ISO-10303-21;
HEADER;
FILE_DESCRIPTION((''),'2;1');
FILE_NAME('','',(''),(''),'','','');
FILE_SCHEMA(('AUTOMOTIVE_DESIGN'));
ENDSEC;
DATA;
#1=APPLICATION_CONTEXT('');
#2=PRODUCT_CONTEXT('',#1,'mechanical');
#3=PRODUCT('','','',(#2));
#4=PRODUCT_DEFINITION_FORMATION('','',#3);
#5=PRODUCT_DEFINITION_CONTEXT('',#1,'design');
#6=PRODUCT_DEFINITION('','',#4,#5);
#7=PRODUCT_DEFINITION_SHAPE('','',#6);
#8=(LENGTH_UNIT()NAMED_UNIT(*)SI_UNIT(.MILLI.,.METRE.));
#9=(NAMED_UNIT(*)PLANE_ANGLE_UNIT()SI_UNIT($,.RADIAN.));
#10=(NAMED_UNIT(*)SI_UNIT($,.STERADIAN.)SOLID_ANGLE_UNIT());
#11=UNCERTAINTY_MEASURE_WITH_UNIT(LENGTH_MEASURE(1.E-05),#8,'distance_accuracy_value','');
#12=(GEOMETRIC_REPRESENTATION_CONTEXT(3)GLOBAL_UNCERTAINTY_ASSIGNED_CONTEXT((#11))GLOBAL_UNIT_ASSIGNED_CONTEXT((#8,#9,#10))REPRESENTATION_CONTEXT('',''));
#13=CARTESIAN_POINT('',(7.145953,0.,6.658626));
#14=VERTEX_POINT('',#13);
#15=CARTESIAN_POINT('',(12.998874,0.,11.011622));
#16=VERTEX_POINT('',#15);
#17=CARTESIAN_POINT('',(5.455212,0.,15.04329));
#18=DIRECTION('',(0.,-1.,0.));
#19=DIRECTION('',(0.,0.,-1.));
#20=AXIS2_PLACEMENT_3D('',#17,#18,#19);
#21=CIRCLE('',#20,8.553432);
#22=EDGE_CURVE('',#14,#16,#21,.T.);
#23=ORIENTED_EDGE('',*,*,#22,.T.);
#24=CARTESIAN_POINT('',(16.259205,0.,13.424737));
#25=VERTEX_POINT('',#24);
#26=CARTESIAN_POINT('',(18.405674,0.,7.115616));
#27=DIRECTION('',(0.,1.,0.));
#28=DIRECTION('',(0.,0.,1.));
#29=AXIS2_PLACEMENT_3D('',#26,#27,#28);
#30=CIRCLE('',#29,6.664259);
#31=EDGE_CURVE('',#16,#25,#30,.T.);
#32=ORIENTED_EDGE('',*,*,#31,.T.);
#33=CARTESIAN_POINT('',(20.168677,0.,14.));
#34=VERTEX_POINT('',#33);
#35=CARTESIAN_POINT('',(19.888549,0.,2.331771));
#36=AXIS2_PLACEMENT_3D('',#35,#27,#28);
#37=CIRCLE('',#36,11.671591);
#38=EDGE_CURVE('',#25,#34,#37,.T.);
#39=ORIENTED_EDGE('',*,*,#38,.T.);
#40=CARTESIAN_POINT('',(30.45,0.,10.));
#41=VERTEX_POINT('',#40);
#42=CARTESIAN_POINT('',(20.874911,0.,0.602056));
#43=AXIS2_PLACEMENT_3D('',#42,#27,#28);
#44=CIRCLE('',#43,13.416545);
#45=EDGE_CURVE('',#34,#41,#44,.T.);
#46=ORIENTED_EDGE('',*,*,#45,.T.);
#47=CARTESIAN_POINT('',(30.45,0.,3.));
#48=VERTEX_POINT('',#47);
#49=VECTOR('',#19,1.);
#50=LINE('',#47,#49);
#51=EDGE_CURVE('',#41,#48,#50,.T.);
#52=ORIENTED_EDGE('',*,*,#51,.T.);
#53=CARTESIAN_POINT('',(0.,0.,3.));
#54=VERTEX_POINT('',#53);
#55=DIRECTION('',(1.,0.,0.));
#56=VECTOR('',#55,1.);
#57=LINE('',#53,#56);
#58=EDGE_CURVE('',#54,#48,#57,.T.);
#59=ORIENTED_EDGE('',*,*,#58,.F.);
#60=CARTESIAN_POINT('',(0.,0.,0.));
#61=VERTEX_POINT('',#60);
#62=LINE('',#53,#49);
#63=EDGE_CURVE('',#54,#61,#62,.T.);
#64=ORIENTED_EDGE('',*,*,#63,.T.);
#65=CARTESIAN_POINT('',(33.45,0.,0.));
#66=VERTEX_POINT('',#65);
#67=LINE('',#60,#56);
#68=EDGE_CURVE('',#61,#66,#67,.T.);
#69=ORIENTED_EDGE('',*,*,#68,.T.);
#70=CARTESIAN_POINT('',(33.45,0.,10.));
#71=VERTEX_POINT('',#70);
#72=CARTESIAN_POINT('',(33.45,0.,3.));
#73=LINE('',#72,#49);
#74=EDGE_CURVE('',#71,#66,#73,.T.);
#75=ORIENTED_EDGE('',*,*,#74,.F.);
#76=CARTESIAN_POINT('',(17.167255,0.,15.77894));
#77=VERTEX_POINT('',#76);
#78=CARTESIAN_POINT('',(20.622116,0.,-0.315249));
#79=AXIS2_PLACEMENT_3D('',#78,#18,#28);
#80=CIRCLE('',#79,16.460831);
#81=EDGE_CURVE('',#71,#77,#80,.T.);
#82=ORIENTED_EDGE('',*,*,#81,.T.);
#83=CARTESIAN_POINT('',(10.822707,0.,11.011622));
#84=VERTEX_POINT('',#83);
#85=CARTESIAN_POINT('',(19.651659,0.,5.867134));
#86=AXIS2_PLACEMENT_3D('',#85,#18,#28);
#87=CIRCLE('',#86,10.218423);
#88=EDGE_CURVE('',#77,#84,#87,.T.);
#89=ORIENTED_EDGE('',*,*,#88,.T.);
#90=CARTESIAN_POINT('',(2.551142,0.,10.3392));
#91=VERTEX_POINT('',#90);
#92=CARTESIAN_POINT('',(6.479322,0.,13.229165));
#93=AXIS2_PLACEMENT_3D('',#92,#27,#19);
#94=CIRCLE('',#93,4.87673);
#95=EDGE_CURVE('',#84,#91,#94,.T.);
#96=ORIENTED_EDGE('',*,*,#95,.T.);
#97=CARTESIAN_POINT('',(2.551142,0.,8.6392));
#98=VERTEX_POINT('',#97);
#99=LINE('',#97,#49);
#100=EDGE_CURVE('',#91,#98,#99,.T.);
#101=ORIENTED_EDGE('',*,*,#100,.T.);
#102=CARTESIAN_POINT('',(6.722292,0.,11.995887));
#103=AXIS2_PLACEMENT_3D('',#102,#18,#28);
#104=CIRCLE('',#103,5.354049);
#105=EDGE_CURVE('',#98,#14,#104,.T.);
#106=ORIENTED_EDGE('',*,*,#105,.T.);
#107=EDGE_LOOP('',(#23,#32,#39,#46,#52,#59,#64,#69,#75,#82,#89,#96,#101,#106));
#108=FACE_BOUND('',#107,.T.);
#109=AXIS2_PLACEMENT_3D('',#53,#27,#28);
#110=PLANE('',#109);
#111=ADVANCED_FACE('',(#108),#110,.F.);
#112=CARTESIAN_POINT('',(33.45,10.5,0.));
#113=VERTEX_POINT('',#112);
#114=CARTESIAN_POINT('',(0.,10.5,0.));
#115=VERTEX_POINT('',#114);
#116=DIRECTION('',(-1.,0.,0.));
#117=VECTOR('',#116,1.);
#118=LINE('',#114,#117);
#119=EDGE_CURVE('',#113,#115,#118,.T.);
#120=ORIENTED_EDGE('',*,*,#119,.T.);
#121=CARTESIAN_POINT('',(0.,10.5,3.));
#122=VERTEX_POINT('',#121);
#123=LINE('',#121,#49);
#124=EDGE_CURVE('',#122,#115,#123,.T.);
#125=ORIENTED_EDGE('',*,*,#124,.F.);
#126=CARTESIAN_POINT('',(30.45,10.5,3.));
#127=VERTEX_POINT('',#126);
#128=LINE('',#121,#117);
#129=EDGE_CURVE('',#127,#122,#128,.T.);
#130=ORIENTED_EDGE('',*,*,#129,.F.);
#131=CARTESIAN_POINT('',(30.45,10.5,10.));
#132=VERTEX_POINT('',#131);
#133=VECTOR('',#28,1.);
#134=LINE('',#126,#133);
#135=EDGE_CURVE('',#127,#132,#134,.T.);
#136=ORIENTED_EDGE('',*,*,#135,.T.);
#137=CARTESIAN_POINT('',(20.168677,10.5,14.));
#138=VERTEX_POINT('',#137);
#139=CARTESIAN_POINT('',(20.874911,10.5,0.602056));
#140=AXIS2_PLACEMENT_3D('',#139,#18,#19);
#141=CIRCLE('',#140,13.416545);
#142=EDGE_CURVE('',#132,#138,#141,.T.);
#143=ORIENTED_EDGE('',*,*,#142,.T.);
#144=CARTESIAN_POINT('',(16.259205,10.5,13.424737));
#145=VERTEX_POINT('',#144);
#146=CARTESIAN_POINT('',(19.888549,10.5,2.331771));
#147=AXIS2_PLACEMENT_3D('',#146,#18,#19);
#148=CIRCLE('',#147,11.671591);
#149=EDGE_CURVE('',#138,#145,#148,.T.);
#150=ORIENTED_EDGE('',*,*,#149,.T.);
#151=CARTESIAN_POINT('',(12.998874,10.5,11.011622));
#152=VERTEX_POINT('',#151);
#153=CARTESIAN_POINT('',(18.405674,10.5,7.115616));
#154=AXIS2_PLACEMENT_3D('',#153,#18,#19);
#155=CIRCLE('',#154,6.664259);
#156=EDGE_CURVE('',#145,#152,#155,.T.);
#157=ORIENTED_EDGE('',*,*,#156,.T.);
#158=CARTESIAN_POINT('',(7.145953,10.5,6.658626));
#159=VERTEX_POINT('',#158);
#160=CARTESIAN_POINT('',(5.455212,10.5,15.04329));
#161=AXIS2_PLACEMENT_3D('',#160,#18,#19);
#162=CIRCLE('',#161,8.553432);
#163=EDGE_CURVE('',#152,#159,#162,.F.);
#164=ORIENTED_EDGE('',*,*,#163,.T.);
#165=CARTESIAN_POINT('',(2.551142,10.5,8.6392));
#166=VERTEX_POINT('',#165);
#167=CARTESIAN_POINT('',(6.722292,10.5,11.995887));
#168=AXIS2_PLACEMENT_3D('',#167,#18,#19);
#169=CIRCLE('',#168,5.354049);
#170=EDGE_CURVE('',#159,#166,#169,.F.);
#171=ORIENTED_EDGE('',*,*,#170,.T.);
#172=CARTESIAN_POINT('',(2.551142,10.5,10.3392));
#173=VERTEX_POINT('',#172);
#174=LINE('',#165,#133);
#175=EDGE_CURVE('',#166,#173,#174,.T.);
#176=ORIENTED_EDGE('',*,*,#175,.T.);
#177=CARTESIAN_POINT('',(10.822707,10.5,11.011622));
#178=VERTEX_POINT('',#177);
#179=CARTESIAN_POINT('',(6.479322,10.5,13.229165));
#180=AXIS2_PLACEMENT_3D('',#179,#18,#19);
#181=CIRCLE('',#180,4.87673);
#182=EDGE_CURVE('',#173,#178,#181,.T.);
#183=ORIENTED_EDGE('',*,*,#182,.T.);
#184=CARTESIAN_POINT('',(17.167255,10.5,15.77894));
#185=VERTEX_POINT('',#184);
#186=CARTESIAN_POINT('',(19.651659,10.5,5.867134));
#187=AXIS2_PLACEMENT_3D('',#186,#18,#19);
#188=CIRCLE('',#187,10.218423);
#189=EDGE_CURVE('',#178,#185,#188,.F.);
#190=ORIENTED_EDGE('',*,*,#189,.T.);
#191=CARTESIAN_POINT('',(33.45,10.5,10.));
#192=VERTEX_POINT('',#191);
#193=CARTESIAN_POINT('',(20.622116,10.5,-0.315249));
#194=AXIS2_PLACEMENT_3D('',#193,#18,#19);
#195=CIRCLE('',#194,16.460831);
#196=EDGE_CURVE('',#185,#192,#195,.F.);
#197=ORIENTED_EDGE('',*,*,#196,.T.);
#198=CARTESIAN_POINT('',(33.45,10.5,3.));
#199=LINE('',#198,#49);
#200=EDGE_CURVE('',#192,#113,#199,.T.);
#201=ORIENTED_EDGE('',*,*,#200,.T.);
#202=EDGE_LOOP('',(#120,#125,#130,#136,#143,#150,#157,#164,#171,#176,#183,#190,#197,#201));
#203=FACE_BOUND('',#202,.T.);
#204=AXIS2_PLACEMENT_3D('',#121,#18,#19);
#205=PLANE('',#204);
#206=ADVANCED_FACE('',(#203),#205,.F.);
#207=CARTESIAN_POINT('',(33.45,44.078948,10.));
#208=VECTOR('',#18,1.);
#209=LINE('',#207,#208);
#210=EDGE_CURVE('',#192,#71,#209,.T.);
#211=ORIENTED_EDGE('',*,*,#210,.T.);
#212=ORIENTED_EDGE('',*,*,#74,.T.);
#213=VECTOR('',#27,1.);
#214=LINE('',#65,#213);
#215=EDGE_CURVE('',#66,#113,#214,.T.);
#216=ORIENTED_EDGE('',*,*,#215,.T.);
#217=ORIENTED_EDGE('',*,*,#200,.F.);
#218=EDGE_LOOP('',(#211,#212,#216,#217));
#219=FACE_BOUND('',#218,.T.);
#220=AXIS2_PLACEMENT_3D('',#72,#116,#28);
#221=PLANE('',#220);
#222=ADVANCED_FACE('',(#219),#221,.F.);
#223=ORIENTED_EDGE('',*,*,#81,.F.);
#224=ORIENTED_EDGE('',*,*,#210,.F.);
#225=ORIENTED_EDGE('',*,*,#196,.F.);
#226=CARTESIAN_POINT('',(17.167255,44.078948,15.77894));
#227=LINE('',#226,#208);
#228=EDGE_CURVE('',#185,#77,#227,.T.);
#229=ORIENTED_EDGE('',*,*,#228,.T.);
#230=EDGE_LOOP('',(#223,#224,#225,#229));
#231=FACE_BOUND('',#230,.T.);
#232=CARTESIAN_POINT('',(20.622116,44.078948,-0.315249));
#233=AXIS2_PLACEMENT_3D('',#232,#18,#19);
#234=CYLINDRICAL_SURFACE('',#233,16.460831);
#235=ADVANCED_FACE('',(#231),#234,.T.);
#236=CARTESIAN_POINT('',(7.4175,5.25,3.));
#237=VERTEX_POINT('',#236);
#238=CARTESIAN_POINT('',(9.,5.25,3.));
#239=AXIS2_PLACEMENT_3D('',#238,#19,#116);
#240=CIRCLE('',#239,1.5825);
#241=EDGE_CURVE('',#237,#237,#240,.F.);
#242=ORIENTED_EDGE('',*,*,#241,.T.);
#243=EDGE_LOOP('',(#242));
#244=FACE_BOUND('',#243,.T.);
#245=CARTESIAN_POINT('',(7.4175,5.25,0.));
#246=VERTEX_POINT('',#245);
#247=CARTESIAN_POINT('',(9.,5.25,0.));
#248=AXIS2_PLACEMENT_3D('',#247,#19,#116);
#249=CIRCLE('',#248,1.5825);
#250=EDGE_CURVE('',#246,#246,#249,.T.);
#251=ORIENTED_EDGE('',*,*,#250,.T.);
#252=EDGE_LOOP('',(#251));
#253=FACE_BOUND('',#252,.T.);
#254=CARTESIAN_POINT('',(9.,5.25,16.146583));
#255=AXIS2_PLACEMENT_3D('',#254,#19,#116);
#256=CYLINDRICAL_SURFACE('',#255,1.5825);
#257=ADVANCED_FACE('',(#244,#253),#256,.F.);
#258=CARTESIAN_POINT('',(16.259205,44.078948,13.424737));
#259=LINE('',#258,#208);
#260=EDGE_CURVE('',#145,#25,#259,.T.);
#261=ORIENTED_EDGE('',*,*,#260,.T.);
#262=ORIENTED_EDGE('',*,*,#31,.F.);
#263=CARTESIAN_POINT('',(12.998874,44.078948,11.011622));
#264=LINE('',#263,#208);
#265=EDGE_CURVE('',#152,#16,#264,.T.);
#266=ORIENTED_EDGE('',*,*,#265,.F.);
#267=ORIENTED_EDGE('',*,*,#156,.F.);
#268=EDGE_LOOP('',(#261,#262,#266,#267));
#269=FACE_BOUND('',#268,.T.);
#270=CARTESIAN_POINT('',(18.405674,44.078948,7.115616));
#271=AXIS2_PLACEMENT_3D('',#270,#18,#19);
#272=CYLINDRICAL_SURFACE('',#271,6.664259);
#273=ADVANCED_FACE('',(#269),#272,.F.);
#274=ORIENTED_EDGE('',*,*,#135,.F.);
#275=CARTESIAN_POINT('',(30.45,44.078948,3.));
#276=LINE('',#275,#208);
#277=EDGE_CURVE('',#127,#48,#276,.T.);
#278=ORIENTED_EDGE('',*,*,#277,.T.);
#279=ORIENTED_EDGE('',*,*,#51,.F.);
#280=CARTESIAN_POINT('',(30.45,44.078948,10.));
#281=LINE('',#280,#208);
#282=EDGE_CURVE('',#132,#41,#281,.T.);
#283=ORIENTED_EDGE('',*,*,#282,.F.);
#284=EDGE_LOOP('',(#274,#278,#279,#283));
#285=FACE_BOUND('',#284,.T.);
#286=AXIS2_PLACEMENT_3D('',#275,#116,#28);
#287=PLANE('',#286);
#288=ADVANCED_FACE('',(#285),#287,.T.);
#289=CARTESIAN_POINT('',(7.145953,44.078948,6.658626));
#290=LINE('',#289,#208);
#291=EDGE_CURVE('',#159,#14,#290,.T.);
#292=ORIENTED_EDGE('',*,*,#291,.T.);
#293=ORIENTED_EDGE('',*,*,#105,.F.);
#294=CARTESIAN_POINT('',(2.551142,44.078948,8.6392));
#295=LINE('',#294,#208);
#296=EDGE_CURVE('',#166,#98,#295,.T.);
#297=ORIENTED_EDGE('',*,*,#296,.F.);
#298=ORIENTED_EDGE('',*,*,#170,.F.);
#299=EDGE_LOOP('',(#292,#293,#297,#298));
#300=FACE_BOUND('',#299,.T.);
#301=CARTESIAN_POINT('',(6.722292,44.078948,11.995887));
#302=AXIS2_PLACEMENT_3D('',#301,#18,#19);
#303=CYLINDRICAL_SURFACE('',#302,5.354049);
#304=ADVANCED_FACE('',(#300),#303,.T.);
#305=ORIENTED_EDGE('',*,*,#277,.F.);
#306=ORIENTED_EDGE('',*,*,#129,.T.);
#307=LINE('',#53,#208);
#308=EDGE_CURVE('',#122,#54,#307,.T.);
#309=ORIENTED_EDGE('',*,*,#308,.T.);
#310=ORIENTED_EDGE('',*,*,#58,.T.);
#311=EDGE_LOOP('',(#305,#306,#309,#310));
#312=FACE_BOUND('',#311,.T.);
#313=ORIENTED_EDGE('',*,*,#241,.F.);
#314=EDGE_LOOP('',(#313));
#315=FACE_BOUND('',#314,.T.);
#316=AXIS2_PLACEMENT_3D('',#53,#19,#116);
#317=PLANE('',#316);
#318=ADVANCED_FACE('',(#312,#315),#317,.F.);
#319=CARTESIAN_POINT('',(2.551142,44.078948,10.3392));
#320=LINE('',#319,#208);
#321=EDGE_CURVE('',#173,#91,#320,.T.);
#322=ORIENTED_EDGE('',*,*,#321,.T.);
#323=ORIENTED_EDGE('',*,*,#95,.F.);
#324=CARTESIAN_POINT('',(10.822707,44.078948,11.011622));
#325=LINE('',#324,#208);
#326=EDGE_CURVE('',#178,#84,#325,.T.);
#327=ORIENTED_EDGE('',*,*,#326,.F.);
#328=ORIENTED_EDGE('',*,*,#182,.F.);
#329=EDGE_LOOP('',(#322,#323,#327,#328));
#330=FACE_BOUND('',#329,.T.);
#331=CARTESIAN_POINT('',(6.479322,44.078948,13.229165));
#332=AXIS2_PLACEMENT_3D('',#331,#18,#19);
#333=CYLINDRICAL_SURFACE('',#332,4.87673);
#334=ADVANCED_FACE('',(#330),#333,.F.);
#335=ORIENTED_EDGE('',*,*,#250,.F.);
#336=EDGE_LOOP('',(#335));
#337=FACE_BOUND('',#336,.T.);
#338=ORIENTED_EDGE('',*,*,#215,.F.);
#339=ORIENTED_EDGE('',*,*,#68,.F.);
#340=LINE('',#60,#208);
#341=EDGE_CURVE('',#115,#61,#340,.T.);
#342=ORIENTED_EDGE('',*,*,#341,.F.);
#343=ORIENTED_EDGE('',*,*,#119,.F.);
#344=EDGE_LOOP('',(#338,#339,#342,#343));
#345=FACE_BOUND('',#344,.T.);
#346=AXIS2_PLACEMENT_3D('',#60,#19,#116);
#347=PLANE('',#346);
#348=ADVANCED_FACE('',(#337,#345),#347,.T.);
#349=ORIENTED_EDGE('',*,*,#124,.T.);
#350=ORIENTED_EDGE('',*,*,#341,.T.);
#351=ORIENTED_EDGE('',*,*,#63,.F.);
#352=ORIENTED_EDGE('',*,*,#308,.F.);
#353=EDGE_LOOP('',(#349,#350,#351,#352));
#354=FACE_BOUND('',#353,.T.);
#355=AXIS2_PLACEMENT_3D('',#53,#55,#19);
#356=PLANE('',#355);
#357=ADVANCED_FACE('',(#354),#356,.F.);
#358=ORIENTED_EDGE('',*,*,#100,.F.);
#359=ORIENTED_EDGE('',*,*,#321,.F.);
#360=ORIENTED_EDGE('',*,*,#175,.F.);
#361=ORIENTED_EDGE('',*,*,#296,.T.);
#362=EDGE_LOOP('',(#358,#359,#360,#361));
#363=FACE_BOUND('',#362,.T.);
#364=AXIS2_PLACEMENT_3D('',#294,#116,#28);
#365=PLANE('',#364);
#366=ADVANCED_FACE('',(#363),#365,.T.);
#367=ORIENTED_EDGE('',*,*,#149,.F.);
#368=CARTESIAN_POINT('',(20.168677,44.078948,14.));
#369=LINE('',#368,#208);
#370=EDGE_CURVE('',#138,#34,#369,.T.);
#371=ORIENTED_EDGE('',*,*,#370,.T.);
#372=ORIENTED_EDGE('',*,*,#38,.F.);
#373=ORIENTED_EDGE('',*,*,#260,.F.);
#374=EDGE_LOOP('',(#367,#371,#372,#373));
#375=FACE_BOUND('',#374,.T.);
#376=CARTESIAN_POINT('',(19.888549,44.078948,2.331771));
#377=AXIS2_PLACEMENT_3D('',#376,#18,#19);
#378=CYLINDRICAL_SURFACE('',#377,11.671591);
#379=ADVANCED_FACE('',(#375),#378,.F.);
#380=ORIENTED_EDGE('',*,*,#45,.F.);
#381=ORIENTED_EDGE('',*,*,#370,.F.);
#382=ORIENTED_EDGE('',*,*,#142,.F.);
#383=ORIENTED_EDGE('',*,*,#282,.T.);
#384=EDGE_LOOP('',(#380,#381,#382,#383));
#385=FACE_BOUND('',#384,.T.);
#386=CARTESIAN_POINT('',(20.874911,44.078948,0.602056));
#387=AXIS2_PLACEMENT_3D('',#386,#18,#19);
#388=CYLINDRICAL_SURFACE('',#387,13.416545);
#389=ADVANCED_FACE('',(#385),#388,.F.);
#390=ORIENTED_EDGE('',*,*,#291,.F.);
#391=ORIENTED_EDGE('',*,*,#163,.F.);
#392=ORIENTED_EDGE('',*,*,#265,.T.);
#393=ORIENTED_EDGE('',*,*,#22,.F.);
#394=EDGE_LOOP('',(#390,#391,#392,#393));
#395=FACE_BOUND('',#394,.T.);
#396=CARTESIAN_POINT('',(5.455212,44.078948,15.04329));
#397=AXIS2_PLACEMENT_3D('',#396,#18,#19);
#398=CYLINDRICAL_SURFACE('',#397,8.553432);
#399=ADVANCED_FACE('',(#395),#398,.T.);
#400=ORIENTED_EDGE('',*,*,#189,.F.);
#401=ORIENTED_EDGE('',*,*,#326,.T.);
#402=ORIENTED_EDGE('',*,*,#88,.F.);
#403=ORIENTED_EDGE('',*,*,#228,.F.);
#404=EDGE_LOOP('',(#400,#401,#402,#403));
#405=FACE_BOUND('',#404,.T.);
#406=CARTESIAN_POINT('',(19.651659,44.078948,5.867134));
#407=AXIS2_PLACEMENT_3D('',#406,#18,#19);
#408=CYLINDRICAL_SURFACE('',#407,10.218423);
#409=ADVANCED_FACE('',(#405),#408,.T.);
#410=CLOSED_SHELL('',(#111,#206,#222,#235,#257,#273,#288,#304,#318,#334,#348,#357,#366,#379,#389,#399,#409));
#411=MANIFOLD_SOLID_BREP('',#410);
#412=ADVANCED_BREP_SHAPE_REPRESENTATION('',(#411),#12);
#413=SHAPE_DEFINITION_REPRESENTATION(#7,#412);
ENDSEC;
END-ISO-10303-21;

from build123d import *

# Parameters (mm, degrees)
SKETCH1_W           = 33.45
SKETCH1_H           = 10.5
BOSS_EXTRUDE1_DEPTH = 3
BOSS_EXTRUDE2_DEPTH = 10.5
CUT_EXTRUDE1_REACH  = 40.598
SKETCH3_R           = 1.5825


with BuildPart() as part:
    # Sketch1 → Boss-Extrude1 (new body)
    with BuildSketch(Plane.XY):
        with Locations((16.725, 5.25)):
            Rectangle(SKETCH1_W, SKETCH1_H)
    extrude(amount=BOSS_EXTRUDE1_DEPTH)

    # Sketch2 → Boss-Extrude2 (add)
    with BuildSketch(Plane.XZ):
        with BuildLine():
            Line((33.45, 3), (33.45, 10))
            ThreePointArc((33.45, 10), (26.127788274, 15.197537565), (17.167255211, 15.778939776))
            ThreePointArc((17.167255211, 15.778939776), (13.513268499, 14.036363917), (10.822706511, 11.011621661))
            ThreePointArc((10.822706511, 11.011621661), (6.874462981, 8.368470255), (2.551142404, 10.339199946))
            Line((2.551142404, 10.339199946), (2.551142404, 8.639199946))
            ThreePointArc((2.551142404, 8.639199946), (4.602955754, 7.079155178), (7.145952658, 6.658626408))
            ThreePointArc((7.145952658, 6.658626408), (10.559689681, 8.1799455), (12.998874454, 11.011621661))
            ThreePointArc((12.998874454, 11.011621661), (14.440986225, 12.472256001), (16.259204718, 13.424737261))
            ThreePointArc((16.259204718, 13.424737261), (18.189418616, 13.879021589), (20.168677104, 14))
            ThreePointArc((20.168677104, 14), (25.739491976, 13.10563656), (30.45, 10))
            Line((30.45, 10), (30.45, 3))
            Line((30.45, 3), (33.45, 3))
        make_face()
    extrude(amount=-BOSS_EXTRUDE2_DEPTH)

    # Sketch3 → Cut-Extrude1 (cut, up to next)
    with BuildSketch(Plane(origin=(0, 0, 0), x_dir=(-1, 0, 0), z_dir=(0, 0, -1)), mode=Mode.PRIVATE) as cut_extrude1_sk1:
        with Locations((-9, 5.25)):
            Circle(SKETCH3_R)
    cut_extrude1_tool1 = extrude(cut_extrude1_sk1.sketch, amount=-CUT_EXTRUDE1_REACH, mode=Mode.PRIVATE) & part.part
    add(cut_extrude1_tool1.solids().sort_by_distance((9, 5.25, 0))[0], mode=Mode.SUBTRACT)


solid = part.part
